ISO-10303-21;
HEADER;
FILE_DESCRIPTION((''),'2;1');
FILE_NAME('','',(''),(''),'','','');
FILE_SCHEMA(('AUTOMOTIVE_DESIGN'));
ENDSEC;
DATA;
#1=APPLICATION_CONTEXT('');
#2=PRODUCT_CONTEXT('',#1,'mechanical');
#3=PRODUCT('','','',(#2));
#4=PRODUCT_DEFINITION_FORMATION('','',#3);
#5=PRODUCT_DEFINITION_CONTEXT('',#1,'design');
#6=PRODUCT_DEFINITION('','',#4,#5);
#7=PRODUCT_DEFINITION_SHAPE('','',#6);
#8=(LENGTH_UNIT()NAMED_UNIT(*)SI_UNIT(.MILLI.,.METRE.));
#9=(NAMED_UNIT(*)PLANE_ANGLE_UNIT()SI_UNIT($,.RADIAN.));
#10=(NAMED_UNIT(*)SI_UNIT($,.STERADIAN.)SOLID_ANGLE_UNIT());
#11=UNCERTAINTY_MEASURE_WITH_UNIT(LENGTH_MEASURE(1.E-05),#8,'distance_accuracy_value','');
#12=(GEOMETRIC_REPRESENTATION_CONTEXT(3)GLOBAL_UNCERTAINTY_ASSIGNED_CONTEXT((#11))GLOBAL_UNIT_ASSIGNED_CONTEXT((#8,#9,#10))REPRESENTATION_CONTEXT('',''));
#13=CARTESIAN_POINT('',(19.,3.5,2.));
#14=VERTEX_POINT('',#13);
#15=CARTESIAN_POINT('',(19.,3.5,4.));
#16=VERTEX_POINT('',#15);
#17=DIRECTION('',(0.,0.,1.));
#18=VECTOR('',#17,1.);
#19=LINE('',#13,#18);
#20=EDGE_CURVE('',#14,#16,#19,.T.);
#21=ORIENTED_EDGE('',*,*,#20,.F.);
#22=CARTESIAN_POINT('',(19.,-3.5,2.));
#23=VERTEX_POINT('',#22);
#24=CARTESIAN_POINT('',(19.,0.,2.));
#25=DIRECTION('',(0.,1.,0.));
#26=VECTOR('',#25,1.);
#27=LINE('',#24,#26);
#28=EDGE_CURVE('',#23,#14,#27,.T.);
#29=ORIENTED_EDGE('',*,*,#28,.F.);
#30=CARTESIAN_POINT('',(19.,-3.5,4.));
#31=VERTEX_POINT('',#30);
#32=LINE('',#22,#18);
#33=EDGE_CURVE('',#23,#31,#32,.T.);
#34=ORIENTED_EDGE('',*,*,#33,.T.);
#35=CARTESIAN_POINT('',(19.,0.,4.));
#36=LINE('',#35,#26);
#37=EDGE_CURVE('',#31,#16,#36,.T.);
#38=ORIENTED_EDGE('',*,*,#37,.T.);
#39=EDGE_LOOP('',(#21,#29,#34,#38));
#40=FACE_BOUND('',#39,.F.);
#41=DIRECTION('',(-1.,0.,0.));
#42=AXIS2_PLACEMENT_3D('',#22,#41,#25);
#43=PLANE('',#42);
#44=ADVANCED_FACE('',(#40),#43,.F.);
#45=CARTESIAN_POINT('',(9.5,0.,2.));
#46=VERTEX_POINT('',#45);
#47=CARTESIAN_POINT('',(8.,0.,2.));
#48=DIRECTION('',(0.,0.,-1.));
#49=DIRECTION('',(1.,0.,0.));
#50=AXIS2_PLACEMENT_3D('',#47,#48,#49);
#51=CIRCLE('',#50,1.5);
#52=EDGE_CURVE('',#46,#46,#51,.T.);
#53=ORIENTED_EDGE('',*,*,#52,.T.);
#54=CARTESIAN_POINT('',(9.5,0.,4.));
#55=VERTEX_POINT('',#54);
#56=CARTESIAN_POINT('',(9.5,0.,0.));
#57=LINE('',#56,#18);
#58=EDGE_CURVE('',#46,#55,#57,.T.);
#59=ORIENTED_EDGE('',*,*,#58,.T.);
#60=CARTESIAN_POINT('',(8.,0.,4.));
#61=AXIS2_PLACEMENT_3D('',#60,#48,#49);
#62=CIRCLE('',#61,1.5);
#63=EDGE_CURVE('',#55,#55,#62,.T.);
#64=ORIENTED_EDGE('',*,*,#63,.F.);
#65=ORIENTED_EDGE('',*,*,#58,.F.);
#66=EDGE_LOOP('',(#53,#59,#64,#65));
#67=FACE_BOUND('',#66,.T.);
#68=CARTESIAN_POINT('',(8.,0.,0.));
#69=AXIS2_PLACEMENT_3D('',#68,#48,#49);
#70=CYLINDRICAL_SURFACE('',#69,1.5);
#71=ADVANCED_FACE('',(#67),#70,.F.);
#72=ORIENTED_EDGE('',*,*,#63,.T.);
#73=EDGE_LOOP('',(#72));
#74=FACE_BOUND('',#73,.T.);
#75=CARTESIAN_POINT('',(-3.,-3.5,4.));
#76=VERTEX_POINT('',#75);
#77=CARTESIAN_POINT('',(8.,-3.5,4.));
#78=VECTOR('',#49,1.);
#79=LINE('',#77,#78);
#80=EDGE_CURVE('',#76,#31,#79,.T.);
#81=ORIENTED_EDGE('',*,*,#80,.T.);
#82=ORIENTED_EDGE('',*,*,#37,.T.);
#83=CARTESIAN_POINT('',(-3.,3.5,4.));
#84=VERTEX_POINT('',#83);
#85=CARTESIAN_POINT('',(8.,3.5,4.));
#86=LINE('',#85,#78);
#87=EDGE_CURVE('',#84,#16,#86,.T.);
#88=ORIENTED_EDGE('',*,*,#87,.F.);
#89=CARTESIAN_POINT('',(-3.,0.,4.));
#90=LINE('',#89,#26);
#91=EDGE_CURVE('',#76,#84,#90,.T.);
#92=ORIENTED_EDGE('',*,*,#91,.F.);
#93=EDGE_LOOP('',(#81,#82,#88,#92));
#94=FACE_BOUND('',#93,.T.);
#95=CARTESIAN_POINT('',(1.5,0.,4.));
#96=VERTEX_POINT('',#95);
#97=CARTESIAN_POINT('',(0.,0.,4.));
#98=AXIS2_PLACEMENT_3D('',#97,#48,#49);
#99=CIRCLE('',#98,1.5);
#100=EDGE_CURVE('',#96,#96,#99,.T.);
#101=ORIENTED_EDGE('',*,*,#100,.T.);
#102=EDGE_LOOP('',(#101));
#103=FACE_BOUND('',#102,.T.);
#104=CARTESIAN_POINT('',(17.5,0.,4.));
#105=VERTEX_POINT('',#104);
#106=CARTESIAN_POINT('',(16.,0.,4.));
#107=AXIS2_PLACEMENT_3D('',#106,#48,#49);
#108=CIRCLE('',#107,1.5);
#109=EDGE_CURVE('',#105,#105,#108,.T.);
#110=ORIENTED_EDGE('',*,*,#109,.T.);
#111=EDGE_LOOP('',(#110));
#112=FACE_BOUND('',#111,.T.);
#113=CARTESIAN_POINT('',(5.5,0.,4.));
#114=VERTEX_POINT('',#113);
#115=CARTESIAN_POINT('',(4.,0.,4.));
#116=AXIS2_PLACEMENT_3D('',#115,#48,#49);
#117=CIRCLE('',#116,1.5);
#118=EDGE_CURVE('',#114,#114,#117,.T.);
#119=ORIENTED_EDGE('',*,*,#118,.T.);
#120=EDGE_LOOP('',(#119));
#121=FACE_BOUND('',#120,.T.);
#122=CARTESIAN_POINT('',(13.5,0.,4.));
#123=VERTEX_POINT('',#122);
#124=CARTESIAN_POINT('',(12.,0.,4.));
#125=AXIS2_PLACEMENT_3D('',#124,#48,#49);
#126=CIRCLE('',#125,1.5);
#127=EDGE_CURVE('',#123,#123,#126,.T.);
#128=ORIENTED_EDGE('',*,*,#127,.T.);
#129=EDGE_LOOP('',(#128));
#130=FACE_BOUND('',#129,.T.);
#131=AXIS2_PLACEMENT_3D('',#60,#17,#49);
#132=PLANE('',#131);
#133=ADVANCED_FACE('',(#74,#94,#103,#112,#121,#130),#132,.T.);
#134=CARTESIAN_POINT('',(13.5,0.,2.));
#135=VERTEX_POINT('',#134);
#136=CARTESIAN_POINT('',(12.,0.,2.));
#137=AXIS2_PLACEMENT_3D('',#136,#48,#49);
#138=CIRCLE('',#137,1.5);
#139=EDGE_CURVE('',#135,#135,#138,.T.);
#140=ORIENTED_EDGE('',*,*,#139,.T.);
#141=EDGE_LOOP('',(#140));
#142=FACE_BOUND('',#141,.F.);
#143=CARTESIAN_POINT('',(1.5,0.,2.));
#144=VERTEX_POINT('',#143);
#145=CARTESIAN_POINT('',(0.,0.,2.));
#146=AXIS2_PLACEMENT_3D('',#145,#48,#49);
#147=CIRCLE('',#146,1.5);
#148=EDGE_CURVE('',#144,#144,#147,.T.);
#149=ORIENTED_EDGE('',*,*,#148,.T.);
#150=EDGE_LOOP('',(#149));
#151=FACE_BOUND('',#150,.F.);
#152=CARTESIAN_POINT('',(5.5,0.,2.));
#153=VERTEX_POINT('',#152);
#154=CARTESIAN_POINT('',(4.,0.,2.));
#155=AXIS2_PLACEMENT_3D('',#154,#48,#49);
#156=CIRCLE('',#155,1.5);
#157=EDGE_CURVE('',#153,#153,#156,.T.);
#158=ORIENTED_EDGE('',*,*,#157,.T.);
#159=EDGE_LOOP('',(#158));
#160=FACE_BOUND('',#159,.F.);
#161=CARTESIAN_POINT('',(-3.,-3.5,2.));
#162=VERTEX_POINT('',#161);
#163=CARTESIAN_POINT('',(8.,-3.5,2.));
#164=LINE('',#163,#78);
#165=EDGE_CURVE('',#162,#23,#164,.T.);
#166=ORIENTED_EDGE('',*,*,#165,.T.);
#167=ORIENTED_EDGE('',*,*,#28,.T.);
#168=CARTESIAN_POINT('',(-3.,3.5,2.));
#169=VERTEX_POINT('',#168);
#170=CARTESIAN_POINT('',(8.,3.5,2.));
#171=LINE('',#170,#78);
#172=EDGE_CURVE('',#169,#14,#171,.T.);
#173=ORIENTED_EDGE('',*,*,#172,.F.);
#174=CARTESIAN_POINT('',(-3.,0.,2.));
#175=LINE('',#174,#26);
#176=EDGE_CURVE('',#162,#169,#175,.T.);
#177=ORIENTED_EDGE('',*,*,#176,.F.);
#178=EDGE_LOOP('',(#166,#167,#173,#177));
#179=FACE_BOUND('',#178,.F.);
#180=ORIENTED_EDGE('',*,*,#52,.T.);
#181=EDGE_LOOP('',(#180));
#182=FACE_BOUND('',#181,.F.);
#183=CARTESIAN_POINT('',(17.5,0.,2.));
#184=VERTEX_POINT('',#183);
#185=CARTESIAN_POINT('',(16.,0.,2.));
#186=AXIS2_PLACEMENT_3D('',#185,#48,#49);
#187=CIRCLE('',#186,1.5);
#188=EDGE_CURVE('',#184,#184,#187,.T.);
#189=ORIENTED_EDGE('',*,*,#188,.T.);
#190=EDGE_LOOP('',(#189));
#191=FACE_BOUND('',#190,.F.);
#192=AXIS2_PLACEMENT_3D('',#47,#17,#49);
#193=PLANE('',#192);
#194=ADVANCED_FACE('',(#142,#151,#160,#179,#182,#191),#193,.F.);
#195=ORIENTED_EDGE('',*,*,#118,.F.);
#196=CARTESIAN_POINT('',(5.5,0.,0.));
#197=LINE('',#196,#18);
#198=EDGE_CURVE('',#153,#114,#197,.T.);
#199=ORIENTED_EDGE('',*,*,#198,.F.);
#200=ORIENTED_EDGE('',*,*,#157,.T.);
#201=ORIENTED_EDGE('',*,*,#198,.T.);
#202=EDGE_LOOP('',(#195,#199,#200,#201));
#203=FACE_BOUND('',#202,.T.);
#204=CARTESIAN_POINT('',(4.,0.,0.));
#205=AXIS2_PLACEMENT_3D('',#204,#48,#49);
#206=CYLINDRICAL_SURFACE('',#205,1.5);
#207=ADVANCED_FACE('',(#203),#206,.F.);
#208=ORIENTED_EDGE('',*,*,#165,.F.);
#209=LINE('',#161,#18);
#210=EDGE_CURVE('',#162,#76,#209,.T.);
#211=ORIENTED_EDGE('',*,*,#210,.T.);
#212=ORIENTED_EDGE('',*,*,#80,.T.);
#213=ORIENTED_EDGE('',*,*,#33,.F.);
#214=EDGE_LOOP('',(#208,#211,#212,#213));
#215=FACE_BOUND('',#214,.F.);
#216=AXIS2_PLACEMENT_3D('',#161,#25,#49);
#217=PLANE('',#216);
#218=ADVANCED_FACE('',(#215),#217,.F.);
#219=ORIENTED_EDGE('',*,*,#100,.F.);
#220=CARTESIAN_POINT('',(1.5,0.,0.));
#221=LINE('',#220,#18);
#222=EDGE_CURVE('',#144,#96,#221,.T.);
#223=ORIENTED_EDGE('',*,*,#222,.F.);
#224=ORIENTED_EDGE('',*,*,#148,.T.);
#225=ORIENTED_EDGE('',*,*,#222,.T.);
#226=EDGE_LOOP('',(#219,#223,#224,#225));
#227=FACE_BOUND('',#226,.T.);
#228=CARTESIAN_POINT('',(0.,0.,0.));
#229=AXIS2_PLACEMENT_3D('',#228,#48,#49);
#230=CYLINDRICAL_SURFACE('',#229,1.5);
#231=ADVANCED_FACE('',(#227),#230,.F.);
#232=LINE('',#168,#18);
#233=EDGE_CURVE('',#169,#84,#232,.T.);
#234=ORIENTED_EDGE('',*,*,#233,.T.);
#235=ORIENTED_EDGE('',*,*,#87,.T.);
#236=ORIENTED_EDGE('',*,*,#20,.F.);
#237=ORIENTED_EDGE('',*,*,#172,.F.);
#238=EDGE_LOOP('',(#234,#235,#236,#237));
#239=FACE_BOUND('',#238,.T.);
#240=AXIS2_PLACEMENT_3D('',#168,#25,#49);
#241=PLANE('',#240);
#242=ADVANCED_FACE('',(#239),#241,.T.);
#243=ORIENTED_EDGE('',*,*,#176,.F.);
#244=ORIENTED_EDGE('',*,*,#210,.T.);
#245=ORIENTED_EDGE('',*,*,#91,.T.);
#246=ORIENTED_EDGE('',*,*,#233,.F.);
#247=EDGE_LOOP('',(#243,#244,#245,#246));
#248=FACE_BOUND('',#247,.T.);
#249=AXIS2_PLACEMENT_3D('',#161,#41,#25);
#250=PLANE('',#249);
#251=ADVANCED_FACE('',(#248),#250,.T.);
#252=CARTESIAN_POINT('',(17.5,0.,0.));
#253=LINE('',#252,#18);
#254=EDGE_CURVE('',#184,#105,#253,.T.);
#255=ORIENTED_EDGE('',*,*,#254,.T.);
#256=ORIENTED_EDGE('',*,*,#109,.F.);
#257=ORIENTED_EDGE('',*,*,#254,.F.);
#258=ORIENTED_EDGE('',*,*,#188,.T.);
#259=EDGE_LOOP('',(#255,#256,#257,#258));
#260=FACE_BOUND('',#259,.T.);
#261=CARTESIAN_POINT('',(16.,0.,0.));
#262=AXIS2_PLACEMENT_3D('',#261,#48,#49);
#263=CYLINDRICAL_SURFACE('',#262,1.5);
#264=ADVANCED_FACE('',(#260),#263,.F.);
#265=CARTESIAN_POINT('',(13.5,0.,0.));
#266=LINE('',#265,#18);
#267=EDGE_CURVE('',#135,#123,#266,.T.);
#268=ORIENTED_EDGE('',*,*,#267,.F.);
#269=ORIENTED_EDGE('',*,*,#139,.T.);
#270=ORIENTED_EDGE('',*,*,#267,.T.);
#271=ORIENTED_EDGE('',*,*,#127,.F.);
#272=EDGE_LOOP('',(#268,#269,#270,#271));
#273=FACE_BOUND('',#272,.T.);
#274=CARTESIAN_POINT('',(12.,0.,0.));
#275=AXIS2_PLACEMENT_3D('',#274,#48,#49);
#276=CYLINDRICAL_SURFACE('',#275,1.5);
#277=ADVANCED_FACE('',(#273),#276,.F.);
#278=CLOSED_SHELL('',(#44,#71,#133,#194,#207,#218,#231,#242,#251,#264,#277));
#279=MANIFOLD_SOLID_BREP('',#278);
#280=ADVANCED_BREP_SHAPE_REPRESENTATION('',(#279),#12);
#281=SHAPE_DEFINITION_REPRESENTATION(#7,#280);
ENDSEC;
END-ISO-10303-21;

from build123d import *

# Parameters (mm, degrees)
CYLINDER_R     = 1.5
CYLINDER_DEPTH = 5
ARRAY_X_COUNT  = 5
ARRAY_X_PITCH  = 4
BOX_W          = 22
BOX_H          = 7
BOX_DEPTH      = 2


with BuildPart() as array:
    # Cylinder → Cylinder (new body)
    with BuildSketch(Plane.XY):
        Circle(CYLINDER_R)
    extrude(amount=CYLINDER_DEPTH)

    # Array X: Array ×5


with BuildPart() as array_1:
    add(array.part)
    with Locations(*[(i * ARRAY_X_PITCH, 0, 0) for i in range(1, ARRAY_X_COUNT)]):
        add(array.part)


with BuildPart() as cut:
    # Box → Box (new body)
    with BuildSketch(Plane(origin=(-3, -3.5, 2), x_dir=(1, 0, 0), z_dir=(0, 0, 1))):
        with Locations((11, 3.5)):
            Rectangle(BOX_W, BOX_H)
    extrude(amount=BOX_DEPTH)

    # Cut: cut Array
    add(array_1.part, mode=Mode.SUBTRACT)


solid = cut.part
